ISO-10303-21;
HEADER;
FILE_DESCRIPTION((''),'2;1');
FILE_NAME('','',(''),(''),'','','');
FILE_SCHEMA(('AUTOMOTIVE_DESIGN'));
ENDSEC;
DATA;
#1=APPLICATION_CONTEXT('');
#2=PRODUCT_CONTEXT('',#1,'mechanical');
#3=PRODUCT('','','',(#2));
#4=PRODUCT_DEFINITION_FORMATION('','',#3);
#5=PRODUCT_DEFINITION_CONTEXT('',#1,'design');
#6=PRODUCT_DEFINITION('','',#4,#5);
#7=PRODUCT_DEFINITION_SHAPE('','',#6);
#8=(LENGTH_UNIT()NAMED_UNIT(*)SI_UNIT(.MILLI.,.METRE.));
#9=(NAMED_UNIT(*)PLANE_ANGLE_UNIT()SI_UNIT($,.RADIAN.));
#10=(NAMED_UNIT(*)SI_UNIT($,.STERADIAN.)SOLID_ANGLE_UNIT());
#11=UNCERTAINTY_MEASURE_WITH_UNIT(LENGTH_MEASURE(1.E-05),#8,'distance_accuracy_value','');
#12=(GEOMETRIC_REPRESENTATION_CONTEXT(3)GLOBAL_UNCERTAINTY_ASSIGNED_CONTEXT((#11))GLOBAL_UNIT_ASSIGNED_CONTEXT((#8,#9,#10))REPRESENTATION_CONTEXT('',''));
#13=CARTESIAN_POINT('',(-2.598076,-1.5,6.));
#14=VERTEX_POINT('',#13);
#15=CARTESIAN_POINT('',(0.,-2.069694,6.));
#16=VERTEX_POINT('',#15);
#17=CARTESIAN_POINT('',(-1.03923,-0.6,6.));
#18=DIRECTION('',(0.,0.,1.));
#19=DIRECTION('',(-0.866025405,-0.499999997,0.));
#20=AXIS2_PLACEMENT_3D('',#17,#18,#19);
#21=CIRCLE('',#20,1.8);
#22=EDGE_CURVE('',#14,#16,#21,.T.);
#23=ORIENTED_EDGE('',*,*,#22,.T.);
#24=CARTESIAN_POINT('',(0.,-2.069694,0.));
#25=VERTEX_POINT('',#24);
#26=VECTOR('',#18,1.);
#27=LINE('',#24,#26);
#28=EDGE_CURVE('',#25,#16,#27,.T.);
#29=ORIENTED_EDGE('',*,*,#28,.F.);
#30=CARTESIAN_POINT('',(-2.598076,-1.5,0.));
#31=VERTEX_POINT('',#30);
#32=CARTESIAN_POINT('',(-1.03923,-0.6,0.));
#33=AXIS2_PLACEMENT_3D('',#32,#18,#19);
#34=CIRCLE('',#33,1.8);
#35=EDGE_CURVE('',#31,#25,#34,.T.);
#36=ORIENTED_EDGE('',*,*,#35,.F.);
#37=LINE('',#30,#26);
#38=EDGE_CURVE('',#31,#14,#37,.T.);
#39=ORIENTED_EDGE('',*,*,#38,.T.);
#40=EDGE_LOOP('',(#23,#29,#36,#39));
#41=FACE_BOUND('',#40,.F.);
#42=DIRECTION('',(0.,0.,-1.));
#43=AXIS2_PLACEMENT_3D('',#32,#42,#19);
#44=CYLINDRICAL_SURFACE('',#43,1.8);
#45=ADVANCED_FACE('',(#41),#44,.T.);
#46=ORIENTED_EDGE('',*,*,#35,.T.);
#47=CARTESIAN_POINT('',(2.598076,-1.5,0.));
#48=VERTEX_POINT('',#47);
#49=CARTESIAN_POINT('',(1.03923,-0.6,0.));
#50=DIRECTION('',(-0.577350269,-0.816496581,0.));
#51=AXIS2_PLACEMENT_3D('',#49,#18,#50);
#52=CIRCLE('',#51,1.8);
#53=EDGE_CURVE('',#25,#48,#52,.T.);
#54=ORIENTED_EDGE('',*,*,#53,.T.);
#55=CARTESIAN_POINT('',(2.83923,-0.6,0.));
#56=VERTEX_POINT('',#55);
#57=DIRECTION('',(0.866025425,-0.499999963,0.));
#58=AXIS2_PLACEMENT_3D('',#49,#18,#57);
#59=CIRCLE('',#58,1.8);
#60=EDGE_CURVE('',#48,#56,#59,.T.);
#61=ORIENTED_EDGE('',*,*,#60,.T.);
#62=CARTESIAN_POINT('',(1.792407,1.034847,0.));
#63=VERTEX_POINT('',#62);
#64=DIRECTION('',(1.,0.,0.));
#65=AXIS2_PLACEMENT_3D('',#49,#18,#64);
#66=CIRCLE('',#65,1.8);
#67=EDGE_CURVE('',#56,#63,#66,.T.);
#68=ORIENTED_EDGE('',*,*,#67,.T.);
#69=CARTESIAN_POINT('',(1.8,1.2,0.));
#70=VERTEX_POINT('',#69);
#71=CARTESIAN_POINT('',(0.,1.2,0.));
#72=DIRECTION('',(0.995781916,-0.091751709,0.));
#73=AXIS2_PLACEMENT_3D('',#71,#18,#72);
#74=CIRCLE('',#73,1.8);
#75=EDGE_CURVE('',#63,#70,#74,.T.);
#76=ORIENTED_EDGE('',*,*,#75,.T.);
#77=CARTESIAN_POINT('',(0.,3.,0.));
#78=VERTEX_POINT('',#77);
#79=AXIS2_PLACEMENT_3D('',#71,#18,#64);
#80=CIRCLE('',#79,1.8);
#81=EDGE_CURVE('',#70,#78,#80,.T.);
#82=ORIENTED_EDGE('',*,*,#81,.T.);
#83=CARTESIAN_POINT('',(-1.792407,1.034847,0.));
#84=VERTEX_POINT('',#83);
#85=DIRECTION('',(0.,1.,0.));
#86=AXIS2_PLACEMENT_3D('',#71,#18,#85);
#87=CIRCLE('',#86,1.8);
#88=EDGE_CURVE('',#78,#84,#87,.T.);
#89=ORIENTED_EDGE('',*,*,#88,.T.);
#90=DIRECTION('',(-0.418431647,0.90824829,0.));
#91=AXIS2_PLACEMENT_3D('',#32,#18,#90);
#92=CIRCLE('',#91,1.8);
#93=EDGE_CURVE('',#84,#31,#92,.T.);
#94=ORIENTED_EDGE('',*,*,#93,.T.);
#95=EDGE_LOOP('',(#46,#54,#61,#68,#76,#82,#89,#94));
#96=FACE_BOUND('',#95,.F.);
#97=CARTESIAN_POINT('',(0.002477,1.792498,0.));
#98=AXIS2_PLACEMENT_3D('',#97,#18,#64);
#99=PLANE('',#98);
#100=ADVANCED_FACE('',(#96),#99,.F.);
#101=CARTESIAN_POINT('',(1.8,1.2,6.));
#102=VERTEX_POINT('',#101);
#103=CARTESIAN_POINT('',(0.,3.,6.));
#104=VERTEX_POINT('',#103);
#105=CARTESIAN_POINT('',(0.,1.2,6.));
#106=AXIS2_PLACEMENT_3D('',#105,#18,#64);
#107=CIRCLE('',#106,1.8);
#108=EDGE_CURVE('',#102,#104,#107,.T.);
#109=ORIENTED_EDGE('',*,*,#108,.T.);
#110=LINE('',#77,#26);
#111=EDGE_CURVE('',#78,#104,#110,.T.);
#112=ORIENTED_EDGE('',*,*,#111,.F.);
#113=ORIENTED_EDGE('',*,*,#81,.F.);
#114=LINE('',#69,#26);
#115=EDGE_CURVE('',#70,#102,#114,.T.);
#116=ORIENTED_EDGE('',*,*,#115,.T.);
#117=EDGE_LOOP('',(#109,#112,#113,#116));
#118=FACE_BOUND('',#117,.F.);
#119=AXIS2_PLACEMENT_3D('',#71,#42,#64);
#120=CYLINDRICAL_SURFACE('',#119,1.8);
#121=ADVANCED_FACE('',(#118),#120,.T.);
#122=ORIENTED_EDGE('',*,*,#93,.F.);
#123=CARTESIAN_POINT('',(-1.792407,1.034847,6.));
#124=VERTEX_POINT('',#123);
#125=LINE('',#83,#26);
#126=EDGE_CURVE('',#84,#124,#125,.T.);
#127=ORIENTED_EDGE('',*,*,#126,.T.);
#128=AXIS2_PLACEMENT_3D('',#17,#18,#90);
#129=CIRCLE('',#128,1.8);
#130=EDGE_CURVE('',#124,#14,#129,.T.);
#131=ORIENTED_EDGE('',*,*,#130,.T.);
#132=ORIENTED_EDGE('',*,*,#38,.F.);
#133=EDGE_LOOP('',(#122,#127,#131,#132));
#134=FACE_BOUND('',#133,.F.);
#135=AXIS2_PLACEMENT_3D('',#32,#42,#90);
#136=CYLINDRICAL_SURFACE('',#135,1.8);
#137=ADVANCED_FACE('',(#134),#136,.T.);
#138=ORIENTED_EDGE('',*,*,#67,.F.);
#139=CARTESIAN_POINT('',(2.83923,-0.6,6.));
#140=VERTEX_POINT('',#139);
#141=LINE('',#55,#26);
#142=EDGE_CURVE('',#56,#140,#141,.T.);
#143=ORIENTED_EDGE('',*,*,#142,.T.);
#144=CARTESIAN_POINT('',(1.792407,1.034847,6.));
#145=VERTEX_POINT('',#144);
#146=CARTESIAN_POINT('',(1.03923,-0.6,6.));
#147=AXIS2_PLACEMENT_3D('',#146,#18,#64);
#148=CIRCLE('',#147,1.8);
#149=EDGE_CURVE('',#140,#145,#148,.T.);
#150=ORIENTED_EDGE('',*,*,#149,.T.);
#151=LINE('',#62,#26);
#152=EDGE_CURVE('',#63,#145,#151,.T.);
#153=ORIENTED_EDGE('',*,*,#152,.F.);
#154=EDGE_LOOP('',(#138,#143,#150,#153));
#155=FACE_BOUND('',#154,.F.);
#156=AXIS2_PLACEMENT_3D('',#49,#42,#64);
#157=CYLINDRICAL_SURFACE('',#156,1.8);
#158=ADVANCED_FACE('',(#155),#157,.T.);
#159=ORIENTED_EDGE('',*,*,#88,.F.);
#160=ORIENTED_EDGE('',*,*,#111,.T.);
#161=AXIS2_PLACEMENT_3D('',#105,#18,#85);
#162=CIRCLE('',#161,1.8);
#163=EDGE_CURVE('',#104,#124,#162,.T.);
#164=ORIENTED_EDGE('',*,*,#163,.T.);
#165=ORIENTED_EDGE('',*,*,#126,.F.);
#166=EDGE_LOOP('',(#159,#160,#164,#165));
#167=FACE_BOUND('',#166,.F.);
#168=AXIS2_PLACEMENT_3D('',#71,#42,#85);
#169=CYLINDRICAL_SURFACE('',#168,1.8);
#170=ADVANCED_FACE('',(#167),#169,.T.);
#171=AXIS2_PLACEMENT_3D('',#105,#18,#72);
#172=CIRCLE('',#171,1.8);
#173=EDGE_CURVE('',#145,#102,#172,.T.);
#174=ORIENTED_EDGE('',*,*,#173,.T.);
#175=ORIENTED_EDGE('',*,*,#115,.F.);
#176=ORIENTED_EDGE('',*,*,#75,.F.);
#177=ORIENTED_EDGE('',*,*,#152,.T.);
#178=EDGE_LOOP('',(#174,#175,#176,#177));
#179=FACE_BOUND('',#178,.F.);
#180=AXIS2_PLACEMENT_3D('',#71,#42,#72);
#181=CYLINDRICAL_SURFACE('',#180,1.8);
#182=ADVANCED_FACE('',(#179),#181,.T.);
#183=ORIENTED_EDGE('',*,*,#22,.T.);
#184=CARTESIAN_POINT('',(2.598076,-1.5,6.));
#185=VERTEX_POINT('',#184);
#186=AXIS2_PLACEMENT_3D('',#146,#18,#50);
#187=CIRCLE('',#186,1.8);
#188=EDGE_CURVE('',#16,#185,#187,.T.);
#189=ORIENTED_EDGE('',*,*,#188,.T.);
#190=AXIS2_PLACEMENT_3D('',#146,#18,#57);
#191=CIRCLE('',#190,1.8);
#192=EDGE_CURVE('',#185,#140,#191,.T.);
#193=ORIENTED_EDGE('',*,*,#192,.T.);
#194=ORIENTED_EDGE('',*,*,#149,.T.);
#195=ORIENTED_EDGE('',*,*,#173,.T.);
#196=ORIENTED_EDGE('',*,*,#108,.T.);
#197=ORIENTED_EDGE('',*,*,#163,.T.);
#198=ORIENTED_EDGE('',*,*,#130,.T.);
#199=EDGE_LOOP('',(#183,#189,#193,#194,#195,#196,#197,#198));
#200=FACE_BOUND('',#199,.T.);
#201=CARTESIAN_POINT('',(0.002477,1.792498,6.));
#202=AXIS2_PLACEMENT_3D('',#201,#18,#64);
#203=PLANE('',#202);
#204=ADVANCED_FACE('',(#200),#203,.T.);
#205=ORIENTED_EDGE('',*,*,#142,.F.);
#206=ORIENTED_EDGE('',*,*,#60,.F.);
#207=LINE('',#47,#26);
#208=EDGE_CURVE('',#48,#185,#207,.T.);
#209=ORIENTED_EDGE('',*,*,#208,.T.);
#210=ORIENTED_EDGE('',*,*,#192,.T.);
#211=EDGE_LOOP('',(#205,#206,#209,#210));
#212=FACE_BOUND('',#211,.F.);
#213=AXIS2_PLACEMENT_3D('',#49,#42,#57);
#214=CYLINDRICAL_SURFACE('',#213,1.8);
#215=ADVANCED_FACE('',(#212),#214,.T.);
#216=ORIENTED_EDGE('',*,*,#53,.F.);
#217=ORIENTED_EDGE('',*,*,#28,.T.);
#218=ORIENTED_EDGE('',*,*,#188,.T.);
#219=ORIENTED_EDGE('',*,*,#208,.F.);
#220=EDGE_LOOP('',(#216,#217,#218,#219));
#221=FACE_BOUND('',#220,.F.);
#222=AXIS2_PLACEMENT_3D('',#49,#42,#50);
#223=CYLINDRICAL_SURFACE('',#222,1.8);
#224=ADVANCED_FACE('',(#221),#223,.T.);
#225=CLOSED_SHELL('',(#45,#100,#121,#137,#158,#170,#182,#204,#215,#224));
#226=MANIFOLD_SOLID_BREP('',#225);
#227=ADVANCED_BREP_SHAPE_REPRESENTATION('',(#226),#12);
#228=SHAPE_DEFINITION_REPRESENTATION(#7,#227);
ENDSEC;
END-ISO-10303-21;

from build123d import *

# Parameters (mm, degrees)
F1_DEPTH = 6


with BuildPart() as f1:
    # F0 (on Top) → F1 (new body)
    with BuildSketch(Plane.XY):
        with BuildLine():
            ThreePointArc((1.8, 1.2), (1.2727922061, 2.4727922061), (0, 3))
            ThreePointArc((0, 3), (-1.3299014134, 2.4129972096), (-1.7924074484, 1.0348469228))
            ThreePointArc((-1.7924074484, 1.0348469228), (-0.9565667293, 1.1981008602), (-0.1392304845, 0.9588457268))
            Line((-0.1392304845, 0.9588457268), (0, 1.2))
            Line((0, 1.2), (0.1392304845, 0.9588457268))
            ThreePointArc((0.1392304845, 0.9588457268), (0.9565667293, 1.1981008602), (1.7924074484, 1.0348469228))
            ThreePointArc((1.7924074484, 1.0348469228), (1.7981008602, 1.1173362447), (1.8, 1.2))
        make_face()
        with BuildLine():
            Line((0, 1.2), (-0.1392304845, 0.9588457268))
            ThreePointArc((-0.1392304845, 0.9588457268), (-0.0685911424, 0.9158691459), (0, 0.8696938457))
            ThreePointArc((0, 0.8696938457), (0.0685911424, 0.9158691459), (0.1392304845, 0.9588457268))
            Line((0.1392304845, 0.9588457268), (0, 1.2))
        make_face()
        with BuildLine():
            Line((0.5196152464, 0.2999999928), (0.1392304845, 0.9588457268))
            ThreePointArc((0.1392304845, 0.9588457268), (0.0685911424, 0.9158691459), (0, 0.8696938457))
            ThreePointArc((0, 0.8696938457), (0.2906709317, 0.6129972066), (0.5196152464, 0.2999999928))
        make_face()
        with BuildLine():
            ThreePointArc((-0.5196152407, 0.3000000027), (-0.6762066199, -0.0547701947), (-0.7531769639, -0.4348469228))
            ThreePointArc((-0.7531769639, -0.4348469228), (-0.3855356915, -0.5582270134), (0, -0.6))
            ThreePointArc((0, -0.6), (0.3855356915, -0.5582270134), (0.7531769639, -0.4348469228))
            ThreePointArc((0.7531769639, -0.4348469228), (0.6762066217, -0.0547702002), (0.5196152464, 0.2999999928))
            ThreePointArc((0.5196152464, 0.2999999928), (0.2906709317, 0.6129972066), (0, 0.8696938457))
            ThreePointArc((0, 0.8696938457), (-0.2906709278, 0.6129972108), (-0.5196152407, 0.3000000027))
        make_face()
        with BuildLine():
            ThreePointArc((0, 0.8696938457), (-0.0685911424, 0.9158691459), (-0.1392304845, 0.9588457268))
            Line((-0.1392304845, 0.9588457268), (-0.5196152407, 0.3000000027))
            ThreePointArc((-0.5196152407, 0.3000000027), (-0.2906709278, 0.6129972108), (0, 0.8696938457))
        make_face()
        with BuildLine():
            ThreePointArc((-0.1392304845, 0.9588457268), (-0.9565667293, 1.1981008602), (-1.7924074484, 1.0348469228))
            ThreePointArc((-1.7924074484, 1.0348469228), (-1.5158691459, 0.2293606579), (-0.9, -0.3588457268))
            Line((-0.9, -0.3588457268), (-0.5196152407, 0.3000000027))
            Line((-0.5196152407, 0.3000000027), (-0.1392304845, 0.9588457268))
        make_face()
        with BuildLine():
            ThreePointArc((0.9, -0.3588457268), (1.5158691459, 0.2293606579), (1.7924074484, 1.0348469228))
            ThreePointArc((1.7924074484, 1.0348469228), (0.9565667293, 1.1981008602), (0.1392304845, 0.9588457268))
            Line((0.1392304845, 0.9588457268), (0.5196152464, 0.2999999928))
            Line((0.5196152464, 0.2999999928), (0.9, -0.3588457268))
        make_face()
        with BuildLine():
            ThreePointArc((0, -2.0696938457), (1.4247662137, -2.3582270051), (2.5980762498, -1.4999999333))
            ThreePointArc((2.5980762498, -1.4999999333), (2.7778969818, -1.065874244), (2.8392304845, -0.6))
            ThreePointArc((2.8392304845, -0.6), (2.5550996304, 0.3706393421), (1.7924074484, 1.0348469228))
            ThreePointArc((1.7924074484, 1.0348469228), (1.5158691459, 0.2293606579), (0.9, -0.3588457268))
            Line((0.9, -0.3588457268), (1.0392304845, -0.6))
            Line((1.0392304845, -0.6), (0.7607695155, -0.6))
            ThreePointArc((0.7607695155, -0.6), (0.5593024166, -1.4274615181), (0, -2.0696938457))
        make_face()
        with BuildLine():
            ThreePointArc((0.7531769639, -0.4348469228), (0.8274615181, -0.3985329012), (0.9, -0.3588457268))
            Line((0.9, -0.3588457268), (0.5196152464, 0.2999999928))
            ThreePointArc((0.5196152464, 0.2999999928), (0.6762066217, -0.0547702002), (0.7531769639, -0.4348469228))
        make_face()
        with BuildLine():
            ThreePointArc((0.7531769639, -0.4348469228), (0.7588703757, -0.5173362447), (0.7607695155, -0.6))
            Line((0.7607695155, -0.6), (1.0392304845, -0.6))
            Line((1.0392304845, -0.6), (0.9, -0.3588457268))
            ThreePointArc((0.9, -0.3588457268), (0.8274615181, -0.3985329012), (0.7531769639, -0.4348469228))
        make_face()
        with BuildLine():
            Line((0, -0.6), (0.7607695155, -0.6))
            ThreePointArc((0.7607695155, -0.6), (0.7588703757, -0.5173362447), (0.7531769639, -0.4348469228))
            ThreePointArc((0.7531769639, -0.4348469228), (0.3855356915, -0.5582270134), (0, -0.6))
        make_face()
        with BuildLine():
            ThreePointArc((-0.7531769639, -0.4348469228), (-0.7588703757, -0.5173362447), (-0.7607695155, -0.6))
            Line((-0.7607695155, -0.6), (0, -0.6))
            ThreePointArc((0, -0.6), (-0.3855356915, -0.5582270134), (-0.7531769639, -0.4348469228))
        make_face()
        with BuildLine():
            ThreePointArc((-0.7531769639, -0.4348469228), (-0.8274615181, -0.3985329012), (-0.9, -0.3588457268))
            Line((-0.9, -0.3588457268), (-1.0392304845, -0.6))
            Line((-1.0392304845, -0.6), (-0.7607695155, -0.6))
            ThreePointArc((-0.7607695155, -0.6), (-0.7588703757, -0.5173362447), (-0.7531769639, -0.4348469228))
        make_face()
        with BuildLine():
            Line((-0.5196152407, 0.3000000027), (-0.9, -0.3588457268))
            ThreePointArc((-0.9, -0.3588457268), (-0.8274615181, -0.3985329012), (-0.7531769639, -0.4348469228))
            ThreePointArc((-0.7531769639, -0.4348469228), (-0.6762066199, -0.0547701947), (-0.5196152407, 0.3000000027))
        make_face()
        with BuildLine():
            ThreePointArc((-0.7607695155, -0.6), (-0.5593024166, -1.4274615181), (0, -2.0696938457))
            ThreePointArc((0, -2.0696938457), (0.5593024166, -1.4274615181), (0.7607695155, -0.6))
            Line((0.7607695155, -0.6), (0, -0.6))
            Line((0, -0.6), (-0.7607695155, -0.6))
        make_face()
        with BuildLine():
            ThreePointArc((-1.7924074484, 1.0348469228), (-2.7546675887, -0.0547701937), (-2.5980762141, -1.4999999953))
            ThreePointArc((-2.5980762141, -1.4999999953), (-1.4247661787, -2.3582270128), (0, -2.0696938457))
            ThreePointArc((0, -2.0696938457), (-0.5593024166, -1.4274615181), (-0.7607695155, -0.6))
            Line((-0.7607695155, -0.6), (-1.0392304845, -0.6))
            Line((-1.0392304845, -0.6), (-0.9, -0.3588457268))
            ThreePointArc((-0.9, -0.3588457268), (-1.5158691459, 0.2293606579), (-1.7924074484, 1.0348469228))
        make_face()
    extrude(amount=F1_DEPTH)


solid = f1.part
